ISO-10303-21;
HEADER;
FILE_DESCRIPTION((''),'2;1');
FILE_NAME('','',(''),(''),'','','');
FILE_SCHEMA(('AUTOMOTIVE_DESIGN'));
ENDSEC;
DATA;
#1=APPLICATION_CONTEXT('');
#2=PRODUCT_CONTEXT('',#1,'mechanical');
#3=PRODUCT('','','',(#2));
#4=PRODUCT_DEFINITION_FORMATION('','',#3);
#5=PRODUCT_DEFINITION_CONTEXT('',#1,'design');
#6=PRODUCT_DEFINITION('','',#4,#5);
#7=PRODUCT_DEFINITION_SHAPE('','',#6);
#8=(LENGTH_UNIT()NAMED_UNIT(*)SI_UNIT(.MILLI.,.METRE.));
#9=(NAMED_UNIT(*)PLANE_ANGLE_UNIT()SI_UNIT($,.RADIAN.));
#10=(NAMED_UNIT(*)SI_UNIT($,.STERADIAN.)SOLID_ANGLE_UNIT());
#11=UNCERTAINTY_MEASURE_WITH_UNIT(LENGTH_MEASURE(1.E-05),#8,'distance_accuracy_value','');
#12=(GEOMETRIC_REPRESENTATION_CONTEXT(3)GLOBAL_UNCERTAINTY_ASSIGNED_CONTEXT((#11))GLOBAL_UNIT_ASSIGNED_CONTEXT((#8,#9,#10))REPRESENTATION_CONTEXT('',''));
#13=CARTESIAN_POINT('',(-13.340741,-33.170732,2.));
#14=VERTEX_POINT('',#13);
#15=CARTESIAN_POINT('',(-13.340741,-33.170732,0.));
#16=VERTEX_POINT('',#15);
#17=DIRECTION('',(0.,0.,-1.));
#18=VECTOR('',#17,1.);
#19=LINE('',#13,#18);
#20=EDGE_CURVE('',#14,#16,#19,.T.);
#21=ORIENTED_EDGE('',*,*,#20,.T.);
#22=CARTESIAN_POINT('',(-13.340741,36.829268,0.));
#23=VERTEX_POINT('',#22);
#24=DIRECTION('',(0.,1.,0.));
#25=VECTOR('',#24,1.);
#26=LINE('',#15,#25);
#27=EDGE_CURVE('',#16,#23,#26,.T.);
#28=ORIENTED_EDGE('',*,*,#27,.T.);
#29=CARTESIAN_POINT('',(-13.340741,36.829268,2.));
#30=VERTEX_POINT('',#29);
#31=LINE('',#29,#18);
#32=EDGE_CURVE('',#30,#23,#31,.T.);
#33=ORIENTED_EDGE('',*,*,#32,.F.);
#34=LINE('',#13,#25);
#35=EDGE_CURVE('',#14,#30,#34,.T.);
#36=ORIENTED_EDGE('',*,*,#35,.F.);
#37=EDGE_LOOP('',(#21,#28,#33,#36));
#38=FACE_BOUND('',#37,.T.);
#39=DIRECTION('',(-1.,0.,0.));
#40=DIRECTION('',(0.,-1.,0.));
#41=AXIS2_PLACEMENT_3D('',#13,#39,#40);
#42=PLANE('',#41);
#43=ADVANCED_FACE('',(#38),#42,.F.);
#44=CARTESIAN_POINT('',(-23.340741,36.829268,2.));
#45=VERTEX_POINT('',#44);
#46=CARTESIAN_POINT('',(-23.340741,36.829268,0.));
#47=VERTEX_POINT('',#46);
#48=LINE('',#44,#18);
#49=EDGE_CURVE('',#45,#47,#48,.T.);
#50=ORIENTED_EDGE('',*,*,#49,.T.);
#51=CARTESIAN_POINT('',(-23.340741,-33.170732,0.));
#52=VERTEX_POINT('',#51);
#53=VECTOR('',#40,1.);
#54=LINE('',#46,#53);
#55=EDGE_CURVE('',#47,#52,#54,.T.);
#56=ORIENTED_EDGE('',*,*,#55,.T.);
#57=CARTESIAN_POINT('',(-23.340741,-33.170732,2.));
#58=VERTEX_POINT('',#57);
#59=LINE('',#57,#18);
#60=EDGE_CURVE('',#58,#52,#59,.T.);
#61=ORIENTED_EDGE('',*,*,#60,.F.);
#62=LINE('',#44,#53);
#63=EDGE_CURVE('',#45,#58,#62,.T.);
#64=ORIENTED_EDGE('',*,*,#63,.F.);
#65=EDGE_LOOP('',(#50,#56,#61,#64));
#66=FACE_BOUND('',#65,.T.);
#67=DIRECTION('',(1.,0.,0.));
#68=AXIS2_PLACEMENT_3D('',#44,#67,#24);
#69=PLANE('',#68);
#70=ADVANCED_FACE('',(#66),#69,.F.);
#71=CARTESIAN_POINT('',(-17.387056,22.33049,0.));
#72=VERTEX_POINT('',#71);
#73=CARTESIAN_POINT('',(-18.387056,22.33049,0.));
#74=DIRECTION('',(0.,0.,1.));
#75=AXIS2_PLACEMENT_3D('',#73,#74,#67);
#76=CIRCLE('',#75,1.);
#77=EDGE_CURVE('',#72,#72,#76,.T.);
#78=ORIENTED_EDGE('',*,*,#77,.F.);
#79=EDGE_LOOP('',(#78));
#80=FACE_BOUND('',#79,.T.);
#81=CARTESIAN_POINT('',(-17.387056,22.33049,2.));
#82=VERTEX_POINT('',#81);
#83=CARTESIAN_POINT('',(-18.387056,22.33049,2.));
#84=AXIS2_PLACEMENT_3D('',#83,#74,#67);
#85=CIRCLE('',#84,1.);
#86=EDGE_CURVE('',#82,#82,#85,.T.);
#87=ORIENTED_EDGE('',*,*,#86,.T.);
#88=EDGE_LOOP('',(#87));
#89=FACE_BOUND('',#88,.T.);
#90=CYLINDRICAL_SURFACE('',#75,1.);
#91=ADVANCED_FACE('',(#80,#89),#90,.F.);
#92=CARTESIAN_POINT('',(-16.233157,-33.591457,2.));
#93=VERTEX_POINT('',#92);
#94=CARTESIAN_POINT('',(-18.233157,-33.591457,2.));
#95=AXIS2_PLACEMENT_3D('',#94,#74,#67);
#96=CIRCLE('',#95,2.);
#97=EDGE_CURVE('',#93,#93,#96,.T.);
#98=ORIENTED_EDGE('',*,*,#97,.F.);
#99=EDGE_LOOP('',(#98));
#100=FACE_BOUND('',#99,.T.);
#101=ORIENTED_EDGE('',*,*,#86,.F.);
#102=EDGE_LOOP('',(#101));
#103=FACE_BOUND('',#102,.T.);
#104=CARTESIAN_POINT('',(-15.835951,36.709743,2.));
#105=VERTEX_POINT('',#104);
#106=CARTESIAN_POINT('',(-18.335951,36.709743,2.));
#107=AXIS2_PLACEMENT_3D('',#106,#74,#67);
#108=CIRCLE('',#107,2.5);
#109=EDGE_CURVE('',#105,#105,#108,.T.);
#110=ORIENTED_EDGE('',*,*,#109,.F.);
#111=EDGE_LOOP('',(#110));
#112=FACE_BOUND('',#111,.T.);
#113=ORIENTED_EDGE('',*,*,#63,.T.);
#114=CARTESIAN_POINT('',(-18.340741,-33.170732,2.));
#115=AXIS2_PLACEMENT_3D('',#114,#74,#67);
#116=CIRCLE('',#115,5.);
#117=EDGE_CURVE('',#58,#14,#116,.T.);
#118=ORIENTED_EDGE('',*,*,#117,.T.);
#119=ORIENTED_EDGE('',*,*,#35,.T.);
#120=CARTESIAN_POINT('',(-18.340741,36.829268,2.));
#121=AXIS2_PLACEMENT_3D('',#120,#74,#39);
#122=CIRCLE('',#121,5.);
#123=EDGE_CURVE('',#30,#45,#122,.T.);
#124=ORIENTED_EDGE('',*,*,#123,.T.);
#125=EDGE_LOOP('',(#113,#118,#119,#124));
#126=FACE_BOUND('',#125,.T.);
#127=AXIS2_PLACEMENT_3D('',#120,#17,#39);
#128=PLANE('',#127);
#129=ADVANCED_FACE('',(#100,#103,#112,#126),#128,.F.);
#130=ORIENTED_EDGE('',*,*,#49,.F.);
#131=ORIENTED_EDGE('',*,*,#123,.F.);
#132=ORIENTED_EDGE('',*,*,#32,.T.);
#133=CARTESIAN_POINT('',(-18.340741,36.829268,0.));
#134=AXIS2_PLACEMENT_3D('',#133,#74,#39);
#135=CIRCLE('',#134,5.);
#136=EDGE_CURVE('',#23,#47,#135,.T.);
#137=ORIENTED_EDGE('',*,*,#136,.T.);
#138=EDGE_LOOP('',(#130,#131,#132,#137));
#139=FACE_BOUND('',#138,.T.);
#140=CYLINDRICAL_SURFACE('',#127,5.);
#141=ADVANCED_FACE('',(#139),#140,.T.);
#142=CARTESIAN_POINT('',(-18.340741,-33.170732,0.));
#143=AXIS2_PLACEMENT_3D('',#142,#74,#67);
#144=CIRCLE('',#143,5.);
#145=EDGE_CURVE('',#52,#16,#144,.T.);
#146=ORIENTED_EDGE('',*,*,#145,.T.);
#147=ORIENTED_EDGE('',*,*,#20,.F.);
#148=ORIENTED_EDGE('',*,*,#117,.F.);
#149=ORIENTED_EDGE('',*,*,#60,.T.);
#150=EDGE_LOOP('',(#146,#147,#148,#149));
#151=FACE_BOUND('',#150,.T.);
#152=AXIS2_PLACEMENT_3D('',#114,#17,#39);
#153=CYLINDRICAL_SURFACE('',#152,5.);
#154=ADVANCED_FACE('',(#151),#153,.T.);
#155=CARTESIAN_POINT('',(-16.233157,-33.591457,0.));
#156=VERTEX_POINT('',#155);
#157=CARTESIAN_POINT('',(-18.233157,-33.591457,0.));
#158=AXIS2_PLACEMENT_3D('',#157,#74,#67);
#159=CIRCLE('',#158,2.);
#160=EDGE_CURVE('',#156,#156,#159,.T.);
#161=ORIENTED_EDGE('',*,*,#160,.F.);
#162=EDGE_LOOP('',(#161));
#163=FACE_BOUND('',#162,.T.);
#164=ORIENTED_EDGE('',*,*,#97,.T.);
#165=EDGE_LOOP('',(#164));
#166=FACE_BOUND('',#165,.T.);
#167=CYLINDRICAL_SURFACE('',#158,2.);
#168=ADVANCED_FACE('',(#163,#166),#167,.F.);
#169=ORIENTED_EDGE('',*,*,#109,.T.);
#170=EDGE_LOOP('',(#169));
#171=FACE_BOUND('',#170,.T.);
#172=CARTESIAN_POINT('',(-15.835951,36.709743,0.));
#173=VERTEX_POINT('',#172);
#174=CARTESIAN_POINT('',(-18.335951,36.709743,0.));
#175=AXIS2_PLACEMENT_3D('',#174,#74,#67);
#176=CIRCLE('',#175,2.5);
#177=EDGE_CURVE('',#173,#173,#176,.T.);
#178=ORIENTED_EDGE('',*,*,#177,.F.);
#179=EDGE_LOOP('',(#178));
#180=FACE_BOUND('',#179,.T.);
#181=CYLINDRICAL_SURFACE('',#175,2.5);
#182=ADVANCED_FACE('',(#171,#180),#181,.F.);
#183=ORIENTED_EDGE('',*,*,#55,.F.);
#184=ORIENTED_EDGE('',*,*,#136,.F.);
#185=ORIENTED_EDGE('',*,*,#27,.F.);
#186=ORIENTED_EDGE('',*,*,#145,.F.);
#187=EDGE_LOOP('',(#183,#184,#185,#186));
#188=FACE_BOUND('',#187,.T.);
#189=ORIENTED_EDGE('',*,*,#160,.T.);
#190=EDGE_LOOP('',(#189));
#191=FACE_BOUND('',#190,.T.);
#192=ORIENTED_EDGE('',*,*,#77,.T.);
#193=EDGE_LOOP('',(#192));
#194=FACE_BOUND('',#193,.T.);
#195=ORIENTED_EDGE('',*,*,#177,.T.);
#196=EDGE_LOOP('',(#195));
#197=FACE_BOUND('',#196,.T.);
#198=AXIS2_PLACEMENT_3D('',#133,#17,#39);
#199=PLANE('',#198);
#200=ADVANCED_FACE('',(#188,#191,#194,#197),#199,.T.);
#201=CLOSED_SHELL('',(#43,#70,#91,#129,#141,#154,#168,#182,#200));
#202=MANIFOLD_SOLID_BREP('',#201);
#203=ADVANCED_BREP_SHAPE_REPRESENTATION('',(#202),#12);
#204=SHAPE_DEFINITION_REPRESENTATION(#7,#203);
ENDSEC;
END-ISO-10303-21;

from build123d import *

# Parameters (mm, degrees)
BOSS_EXTRUDE1_DEPTH = 2
SKETCH2_R           = 2.5
SKETCH2_R_2         = 1
SKETCH2_R_3         = 2
CUT_EXTRUDE1_DEPTH  = 2


with BuildPart() as part:
    # Sketch1 → Boss-Extrude1 (new body)
    with BuildSketch(Plane.XY):
        with BuildLine():
            Line((-23.340741152, 36.829268293), (-23.340741152, -33.170731707))
            ThreePointArc((-23.340741152, -33.170731707), (-18.340741152, -38.170731707), (-13.340741152, -33.170731707))
            Line((-13.340741152, -33.170731707), (-13.340741152, 36.829268293))
            ThreePointArc((-13.340741152, 36.829268293), (-18.340741152, 41.829268293), (-23.340741152, 36.829268293))
        make_face()
    extrude(amount=BOSS_EXTRUDE1_DEPTH)

    # Sketch2 → Cut-Extrude1 (cut)
    with BuildSketch(Plane.XY.offset(2)):
        with Locations((-18.335951237, 36.709742662)):
            Circle(SKETCH2_R)
        with Locations((-18.387056332, 22.33048964)):
            Circle(SKETCH2_R_2)
        with Locations((-18.233156774, -33.591456918)):
            Circle(SKETCH2_R_3)
    extrude(amount=-CUT_EXTRUDE1_DEPTH, mode=Mode.SUBTRACT)


solid = part.part
